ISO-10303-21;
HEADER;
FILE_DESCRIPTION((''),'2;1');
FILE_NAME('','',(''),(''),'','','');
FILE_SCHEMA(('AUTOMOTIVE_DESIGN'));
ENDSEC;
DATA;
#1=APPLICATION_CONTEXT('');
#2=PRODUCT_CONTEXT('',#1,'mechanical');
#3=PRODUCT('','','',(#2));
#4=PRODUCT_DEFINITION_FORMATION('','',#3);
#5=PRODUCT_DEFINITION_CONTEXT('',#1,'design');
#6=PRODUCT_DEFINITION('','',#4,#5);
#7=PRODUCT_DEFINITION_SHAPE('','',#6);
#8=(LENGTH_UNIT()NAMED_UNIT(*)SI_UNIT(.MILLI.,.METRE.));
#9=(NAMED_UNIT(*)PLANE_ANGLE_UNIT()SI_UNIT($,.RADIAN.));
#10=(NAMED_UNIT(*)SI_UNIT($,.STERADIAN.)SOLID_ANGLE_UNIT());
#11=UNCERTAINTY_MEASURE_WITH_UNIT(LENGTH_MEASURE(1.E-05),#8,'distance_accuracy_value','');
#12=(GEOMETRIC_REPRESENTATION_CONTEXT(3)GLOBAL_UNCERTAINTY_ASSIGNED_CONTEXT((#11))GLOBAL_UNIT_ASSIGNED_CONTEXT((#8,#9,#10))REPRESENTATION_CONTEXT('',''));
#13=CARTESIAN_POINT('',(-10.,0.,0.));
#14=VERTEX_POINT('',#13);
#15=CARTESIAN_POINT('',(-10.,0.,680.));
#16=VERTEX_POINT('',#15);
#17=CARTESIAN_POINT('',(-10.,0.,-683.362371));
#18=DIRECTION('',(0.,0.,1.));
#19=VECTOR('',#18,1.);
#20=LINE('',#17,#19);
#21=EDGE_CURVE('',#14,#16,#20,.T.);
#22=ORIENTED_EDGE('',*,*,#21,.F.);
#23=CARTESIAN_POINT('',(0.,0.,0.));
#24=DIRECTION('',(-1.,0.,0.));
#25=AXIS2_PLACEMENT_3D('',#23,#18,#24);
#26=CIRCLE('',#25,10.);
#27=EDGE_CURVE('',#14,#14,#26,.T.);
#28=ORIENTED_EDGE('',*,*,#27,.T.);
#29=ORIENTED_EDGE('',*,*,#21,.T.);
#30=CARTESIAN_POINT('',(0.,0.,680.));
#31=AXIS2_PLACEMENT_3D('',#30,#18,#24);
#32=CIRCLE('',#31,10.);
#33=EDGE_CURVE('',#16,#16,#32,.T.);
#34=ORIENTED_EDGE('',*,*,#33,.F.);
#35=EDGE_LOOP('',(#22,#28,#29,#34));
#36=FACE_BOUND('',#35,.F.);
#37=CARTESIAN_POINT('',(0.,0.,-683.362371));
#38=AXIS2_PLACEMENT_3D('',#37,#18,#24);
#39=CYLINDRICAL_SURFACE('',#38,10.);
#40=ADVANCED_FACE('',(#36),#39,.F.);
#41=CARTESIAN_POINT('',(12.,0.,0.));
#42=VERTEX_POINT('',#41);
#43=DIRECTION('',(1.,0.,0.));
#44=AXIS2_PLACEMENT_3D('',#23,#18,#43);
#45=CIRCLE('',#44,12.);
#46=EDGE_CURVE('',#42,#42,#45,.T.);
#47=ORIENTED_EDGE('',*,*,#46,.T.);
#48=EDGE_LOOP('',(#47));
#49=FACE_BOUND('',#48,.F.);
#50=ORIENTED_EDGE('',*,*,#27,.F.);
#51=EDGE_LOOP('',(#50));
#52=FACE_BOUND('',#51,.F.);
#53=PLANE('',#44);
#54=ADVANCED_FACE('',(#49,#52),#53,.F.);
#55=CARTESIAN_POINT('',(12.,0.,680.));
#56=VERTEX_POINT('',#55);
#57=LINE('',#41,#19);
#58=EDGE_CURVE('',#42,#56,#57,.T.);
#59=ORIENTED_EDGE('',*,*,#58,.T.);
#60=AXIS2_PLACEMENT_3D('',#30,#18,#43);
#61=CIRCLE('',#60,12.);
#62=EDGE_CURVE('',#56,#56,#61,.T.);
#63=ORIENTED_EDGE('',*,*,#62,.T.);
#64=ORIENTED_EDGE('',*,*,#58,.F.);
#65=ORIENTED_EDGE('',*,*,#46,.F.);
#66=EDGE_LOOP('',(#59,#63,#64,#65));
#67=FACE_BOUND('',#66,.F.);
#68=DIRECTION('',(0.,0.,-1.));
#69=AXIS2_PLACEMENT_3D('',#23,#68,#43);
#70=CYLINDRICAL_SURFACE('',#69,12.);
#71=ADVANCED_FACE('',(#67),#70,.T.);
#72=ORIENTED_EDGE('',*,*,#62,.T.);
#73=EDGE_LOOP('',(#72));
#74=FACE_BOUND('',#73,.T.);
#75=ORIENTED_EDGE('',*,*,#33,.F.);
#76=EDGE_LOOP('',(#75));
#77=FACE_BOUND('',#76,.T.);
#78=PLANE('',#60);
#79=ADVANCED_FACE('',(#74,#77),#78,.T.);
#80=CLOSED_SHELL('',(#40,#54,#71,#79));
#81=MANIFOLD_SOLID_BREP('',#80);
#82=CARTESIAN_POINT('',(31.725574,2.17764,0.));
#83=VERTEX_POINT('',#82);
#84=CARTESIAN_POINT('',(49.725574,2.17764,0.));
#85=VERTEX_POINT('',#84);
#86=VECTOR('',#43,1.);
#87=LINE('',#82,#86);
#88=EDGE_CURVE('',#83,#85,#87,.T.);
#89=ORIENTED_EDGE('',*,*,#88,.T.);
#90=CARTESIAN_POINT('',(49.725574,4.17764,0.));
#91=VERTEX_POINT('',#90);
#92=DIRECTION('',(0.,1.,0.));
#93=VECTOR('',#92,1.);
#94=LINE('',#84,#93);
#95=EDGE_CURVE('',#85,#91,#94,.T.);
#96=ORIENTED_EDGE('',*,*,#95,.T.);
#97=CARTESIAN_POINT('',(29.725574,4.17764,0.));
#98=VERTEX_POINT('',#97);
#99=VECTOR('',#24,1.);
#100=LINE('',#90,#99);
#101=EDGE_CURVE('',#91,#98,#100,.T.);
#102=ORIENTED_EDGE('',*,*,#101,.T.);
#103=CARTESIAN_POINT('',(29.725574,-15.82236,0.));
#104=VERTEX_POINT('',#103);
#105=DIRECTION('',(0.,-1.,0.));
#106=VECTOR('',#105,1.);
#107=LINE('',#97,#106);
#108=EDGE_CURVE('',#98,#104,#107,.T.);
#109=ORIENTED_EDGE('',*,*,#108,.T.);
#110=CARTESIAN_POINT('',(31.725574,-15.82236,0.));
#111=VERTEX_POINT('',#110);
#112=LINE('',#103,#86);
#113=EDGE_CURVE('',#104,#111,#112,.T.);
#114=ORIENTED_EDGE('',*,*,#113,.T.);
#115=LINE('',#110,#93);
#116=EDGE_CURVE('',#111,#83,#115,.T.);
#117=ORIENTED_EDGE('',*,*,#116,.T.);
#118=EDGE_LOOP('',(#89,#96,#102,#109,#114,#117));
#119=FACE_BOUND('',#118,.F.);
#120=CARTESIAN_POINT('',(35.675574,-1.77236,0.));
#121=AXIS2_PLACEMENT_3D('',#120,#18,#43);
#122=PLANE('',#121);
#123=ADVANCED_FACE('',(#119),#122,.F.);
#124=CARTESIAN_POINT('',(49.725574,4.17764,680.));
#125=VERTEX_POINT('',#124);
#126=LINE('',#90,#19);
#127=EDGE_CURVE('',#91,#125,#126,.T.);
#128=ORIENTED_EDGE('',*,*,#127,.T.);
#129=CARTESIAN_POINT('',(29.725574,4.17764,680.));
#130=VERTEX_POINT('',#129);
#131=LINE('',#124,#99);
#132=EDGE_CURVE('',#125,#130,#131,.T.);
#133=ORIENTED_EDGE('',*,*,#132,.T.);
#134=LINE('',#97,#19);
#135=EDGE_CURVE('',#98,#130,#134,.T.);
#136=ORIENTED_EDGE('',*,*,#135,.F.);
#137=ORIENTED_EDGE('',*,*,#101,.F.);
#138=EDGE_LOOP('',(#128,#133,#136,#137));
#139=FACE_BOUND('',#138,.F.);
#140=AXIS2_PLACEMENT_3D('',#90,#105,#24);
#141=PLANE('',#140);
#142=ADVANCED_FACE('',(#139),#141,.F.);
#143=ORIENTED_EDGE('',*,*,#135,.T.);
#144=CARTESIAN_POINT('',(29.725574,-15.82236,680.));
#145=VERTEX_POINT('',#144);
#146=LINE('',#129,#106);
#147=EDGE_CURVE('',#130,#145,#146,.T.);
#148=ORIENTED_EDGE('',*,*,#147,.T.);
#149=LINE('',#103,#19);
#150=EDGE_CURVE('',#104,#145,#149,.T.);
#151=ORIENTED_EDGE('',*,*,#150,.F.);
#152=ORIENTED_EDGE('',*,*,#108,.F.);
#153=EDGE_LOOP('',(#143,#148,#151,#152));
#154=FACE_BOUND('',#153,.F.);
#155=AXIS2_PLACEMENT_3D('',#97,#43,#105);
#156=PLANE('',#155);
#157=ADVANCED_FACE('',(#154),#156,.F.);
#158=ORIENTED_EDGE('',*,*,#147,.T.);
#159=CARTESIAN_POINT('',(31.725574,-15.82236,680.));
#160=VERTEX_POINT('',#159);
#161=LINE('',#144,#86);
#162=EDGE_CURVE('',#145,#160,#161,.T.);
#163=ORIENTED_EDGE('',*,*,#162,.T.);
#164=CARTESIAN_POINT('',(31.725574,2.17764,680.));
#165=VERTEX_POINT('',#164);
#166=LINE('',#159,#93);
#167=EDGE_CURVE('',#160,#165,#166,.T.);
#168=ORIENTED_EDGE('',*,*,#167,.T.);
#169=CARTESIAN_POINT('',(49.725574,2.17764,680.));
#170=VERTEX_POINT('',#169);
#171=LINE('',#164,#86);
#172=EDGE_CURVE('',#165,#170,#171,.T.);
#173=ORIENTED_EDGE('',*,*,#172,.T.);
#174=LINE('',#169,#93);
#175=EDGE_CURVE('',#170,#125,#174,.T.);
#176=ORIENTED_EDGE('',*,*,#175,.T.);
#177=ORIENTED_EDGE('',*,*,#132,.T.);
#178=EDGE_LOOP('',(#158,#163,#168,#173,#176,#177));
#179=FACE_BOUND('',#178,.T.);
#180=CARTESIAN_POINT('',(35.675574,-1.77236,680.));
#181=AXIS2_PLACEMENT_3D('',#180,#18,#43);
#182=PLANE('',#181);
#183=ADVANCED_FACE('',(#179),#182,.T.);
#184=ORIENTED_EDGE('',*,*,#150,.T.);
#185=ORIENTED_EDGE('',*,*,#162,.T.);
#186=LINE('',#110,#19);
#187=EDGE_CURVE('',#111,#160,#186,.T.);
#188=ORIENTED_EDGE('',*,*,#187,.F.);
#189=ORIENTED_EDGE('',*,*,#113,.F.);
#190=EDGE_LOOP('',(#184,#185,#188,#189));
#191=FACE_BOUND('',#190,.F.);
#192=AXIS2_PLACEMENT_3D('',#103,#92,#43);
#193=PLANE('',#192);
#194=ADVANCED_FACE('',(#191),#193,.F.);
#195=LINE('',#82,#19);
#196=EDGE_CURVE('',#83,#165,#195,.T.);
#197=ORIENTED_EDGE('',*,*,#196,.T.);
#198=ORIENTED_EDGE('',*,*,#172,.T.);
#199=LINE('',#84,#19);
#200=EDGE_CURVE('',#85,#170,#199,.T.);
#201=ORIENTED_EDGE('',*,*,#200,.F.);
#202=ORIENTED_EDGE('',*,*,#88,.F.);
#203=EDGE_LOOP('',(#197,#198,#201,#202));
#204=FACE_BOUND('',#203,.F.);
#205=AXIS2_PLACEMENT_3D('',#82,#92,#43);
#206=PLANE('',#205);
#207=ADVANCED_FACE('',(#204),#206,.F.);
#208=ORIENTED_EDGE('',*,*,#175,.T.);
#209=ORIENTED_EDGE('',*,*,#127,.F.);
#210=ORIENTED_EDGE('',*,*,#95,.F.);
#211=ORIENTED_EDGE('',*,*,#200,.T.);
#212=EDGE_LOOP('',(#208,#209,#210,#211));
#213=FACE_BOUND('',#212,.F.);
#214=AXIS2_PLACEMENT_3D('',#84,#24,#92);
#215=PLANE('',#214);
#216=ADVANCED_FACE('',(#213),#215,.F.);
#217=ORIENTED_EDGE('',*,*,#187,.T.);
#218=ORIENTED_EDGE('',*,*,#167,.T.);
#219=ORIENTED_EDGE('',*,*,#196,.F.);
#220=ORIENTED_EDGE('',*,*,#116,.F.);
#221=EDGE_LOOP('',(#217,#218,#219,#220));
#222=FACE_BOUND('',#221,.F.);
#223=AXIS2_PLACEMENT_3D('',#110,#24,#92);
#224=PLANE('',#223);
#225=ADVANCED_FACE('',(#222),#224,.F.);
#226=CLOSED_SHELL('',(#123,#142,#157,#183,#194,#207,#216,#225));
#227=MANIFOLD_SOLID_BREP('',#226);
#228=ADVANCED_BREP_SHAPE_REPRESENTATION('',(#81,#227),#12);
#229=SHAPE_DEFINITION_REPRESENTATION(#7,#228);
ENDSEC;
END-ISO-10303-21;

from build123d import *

# Parameters (mm, degrees)
F0_R     = 12
F1_DEPTH = 680
F2_D     = 20


with BuildPart() as f1:
    # F0 (on Top) → F1 (new body)
    with BuildSketch(Plane.XY):
        Circle(F0_R)
        Polygon((31.725574, 4.17764), (29.725574, 4.17764), (29.725574, 2.17764), (29.725574, -15.82236), (31.725574, -15.82236), (31.725574, 2.17764), (49.725574, 2.17764), (49.725574, 4.17764), align=None)
    extrude(amount=F1_DEPTH)

    # F2 (through all)
    with Locations(Plane(origin=(0, 0, 0), x_dir=(1, 0, 0), z_dir=(0, 0, -1))):
        with Locations((0, 0)):
            Hole(F2_D / 2)


solid = f1.part
